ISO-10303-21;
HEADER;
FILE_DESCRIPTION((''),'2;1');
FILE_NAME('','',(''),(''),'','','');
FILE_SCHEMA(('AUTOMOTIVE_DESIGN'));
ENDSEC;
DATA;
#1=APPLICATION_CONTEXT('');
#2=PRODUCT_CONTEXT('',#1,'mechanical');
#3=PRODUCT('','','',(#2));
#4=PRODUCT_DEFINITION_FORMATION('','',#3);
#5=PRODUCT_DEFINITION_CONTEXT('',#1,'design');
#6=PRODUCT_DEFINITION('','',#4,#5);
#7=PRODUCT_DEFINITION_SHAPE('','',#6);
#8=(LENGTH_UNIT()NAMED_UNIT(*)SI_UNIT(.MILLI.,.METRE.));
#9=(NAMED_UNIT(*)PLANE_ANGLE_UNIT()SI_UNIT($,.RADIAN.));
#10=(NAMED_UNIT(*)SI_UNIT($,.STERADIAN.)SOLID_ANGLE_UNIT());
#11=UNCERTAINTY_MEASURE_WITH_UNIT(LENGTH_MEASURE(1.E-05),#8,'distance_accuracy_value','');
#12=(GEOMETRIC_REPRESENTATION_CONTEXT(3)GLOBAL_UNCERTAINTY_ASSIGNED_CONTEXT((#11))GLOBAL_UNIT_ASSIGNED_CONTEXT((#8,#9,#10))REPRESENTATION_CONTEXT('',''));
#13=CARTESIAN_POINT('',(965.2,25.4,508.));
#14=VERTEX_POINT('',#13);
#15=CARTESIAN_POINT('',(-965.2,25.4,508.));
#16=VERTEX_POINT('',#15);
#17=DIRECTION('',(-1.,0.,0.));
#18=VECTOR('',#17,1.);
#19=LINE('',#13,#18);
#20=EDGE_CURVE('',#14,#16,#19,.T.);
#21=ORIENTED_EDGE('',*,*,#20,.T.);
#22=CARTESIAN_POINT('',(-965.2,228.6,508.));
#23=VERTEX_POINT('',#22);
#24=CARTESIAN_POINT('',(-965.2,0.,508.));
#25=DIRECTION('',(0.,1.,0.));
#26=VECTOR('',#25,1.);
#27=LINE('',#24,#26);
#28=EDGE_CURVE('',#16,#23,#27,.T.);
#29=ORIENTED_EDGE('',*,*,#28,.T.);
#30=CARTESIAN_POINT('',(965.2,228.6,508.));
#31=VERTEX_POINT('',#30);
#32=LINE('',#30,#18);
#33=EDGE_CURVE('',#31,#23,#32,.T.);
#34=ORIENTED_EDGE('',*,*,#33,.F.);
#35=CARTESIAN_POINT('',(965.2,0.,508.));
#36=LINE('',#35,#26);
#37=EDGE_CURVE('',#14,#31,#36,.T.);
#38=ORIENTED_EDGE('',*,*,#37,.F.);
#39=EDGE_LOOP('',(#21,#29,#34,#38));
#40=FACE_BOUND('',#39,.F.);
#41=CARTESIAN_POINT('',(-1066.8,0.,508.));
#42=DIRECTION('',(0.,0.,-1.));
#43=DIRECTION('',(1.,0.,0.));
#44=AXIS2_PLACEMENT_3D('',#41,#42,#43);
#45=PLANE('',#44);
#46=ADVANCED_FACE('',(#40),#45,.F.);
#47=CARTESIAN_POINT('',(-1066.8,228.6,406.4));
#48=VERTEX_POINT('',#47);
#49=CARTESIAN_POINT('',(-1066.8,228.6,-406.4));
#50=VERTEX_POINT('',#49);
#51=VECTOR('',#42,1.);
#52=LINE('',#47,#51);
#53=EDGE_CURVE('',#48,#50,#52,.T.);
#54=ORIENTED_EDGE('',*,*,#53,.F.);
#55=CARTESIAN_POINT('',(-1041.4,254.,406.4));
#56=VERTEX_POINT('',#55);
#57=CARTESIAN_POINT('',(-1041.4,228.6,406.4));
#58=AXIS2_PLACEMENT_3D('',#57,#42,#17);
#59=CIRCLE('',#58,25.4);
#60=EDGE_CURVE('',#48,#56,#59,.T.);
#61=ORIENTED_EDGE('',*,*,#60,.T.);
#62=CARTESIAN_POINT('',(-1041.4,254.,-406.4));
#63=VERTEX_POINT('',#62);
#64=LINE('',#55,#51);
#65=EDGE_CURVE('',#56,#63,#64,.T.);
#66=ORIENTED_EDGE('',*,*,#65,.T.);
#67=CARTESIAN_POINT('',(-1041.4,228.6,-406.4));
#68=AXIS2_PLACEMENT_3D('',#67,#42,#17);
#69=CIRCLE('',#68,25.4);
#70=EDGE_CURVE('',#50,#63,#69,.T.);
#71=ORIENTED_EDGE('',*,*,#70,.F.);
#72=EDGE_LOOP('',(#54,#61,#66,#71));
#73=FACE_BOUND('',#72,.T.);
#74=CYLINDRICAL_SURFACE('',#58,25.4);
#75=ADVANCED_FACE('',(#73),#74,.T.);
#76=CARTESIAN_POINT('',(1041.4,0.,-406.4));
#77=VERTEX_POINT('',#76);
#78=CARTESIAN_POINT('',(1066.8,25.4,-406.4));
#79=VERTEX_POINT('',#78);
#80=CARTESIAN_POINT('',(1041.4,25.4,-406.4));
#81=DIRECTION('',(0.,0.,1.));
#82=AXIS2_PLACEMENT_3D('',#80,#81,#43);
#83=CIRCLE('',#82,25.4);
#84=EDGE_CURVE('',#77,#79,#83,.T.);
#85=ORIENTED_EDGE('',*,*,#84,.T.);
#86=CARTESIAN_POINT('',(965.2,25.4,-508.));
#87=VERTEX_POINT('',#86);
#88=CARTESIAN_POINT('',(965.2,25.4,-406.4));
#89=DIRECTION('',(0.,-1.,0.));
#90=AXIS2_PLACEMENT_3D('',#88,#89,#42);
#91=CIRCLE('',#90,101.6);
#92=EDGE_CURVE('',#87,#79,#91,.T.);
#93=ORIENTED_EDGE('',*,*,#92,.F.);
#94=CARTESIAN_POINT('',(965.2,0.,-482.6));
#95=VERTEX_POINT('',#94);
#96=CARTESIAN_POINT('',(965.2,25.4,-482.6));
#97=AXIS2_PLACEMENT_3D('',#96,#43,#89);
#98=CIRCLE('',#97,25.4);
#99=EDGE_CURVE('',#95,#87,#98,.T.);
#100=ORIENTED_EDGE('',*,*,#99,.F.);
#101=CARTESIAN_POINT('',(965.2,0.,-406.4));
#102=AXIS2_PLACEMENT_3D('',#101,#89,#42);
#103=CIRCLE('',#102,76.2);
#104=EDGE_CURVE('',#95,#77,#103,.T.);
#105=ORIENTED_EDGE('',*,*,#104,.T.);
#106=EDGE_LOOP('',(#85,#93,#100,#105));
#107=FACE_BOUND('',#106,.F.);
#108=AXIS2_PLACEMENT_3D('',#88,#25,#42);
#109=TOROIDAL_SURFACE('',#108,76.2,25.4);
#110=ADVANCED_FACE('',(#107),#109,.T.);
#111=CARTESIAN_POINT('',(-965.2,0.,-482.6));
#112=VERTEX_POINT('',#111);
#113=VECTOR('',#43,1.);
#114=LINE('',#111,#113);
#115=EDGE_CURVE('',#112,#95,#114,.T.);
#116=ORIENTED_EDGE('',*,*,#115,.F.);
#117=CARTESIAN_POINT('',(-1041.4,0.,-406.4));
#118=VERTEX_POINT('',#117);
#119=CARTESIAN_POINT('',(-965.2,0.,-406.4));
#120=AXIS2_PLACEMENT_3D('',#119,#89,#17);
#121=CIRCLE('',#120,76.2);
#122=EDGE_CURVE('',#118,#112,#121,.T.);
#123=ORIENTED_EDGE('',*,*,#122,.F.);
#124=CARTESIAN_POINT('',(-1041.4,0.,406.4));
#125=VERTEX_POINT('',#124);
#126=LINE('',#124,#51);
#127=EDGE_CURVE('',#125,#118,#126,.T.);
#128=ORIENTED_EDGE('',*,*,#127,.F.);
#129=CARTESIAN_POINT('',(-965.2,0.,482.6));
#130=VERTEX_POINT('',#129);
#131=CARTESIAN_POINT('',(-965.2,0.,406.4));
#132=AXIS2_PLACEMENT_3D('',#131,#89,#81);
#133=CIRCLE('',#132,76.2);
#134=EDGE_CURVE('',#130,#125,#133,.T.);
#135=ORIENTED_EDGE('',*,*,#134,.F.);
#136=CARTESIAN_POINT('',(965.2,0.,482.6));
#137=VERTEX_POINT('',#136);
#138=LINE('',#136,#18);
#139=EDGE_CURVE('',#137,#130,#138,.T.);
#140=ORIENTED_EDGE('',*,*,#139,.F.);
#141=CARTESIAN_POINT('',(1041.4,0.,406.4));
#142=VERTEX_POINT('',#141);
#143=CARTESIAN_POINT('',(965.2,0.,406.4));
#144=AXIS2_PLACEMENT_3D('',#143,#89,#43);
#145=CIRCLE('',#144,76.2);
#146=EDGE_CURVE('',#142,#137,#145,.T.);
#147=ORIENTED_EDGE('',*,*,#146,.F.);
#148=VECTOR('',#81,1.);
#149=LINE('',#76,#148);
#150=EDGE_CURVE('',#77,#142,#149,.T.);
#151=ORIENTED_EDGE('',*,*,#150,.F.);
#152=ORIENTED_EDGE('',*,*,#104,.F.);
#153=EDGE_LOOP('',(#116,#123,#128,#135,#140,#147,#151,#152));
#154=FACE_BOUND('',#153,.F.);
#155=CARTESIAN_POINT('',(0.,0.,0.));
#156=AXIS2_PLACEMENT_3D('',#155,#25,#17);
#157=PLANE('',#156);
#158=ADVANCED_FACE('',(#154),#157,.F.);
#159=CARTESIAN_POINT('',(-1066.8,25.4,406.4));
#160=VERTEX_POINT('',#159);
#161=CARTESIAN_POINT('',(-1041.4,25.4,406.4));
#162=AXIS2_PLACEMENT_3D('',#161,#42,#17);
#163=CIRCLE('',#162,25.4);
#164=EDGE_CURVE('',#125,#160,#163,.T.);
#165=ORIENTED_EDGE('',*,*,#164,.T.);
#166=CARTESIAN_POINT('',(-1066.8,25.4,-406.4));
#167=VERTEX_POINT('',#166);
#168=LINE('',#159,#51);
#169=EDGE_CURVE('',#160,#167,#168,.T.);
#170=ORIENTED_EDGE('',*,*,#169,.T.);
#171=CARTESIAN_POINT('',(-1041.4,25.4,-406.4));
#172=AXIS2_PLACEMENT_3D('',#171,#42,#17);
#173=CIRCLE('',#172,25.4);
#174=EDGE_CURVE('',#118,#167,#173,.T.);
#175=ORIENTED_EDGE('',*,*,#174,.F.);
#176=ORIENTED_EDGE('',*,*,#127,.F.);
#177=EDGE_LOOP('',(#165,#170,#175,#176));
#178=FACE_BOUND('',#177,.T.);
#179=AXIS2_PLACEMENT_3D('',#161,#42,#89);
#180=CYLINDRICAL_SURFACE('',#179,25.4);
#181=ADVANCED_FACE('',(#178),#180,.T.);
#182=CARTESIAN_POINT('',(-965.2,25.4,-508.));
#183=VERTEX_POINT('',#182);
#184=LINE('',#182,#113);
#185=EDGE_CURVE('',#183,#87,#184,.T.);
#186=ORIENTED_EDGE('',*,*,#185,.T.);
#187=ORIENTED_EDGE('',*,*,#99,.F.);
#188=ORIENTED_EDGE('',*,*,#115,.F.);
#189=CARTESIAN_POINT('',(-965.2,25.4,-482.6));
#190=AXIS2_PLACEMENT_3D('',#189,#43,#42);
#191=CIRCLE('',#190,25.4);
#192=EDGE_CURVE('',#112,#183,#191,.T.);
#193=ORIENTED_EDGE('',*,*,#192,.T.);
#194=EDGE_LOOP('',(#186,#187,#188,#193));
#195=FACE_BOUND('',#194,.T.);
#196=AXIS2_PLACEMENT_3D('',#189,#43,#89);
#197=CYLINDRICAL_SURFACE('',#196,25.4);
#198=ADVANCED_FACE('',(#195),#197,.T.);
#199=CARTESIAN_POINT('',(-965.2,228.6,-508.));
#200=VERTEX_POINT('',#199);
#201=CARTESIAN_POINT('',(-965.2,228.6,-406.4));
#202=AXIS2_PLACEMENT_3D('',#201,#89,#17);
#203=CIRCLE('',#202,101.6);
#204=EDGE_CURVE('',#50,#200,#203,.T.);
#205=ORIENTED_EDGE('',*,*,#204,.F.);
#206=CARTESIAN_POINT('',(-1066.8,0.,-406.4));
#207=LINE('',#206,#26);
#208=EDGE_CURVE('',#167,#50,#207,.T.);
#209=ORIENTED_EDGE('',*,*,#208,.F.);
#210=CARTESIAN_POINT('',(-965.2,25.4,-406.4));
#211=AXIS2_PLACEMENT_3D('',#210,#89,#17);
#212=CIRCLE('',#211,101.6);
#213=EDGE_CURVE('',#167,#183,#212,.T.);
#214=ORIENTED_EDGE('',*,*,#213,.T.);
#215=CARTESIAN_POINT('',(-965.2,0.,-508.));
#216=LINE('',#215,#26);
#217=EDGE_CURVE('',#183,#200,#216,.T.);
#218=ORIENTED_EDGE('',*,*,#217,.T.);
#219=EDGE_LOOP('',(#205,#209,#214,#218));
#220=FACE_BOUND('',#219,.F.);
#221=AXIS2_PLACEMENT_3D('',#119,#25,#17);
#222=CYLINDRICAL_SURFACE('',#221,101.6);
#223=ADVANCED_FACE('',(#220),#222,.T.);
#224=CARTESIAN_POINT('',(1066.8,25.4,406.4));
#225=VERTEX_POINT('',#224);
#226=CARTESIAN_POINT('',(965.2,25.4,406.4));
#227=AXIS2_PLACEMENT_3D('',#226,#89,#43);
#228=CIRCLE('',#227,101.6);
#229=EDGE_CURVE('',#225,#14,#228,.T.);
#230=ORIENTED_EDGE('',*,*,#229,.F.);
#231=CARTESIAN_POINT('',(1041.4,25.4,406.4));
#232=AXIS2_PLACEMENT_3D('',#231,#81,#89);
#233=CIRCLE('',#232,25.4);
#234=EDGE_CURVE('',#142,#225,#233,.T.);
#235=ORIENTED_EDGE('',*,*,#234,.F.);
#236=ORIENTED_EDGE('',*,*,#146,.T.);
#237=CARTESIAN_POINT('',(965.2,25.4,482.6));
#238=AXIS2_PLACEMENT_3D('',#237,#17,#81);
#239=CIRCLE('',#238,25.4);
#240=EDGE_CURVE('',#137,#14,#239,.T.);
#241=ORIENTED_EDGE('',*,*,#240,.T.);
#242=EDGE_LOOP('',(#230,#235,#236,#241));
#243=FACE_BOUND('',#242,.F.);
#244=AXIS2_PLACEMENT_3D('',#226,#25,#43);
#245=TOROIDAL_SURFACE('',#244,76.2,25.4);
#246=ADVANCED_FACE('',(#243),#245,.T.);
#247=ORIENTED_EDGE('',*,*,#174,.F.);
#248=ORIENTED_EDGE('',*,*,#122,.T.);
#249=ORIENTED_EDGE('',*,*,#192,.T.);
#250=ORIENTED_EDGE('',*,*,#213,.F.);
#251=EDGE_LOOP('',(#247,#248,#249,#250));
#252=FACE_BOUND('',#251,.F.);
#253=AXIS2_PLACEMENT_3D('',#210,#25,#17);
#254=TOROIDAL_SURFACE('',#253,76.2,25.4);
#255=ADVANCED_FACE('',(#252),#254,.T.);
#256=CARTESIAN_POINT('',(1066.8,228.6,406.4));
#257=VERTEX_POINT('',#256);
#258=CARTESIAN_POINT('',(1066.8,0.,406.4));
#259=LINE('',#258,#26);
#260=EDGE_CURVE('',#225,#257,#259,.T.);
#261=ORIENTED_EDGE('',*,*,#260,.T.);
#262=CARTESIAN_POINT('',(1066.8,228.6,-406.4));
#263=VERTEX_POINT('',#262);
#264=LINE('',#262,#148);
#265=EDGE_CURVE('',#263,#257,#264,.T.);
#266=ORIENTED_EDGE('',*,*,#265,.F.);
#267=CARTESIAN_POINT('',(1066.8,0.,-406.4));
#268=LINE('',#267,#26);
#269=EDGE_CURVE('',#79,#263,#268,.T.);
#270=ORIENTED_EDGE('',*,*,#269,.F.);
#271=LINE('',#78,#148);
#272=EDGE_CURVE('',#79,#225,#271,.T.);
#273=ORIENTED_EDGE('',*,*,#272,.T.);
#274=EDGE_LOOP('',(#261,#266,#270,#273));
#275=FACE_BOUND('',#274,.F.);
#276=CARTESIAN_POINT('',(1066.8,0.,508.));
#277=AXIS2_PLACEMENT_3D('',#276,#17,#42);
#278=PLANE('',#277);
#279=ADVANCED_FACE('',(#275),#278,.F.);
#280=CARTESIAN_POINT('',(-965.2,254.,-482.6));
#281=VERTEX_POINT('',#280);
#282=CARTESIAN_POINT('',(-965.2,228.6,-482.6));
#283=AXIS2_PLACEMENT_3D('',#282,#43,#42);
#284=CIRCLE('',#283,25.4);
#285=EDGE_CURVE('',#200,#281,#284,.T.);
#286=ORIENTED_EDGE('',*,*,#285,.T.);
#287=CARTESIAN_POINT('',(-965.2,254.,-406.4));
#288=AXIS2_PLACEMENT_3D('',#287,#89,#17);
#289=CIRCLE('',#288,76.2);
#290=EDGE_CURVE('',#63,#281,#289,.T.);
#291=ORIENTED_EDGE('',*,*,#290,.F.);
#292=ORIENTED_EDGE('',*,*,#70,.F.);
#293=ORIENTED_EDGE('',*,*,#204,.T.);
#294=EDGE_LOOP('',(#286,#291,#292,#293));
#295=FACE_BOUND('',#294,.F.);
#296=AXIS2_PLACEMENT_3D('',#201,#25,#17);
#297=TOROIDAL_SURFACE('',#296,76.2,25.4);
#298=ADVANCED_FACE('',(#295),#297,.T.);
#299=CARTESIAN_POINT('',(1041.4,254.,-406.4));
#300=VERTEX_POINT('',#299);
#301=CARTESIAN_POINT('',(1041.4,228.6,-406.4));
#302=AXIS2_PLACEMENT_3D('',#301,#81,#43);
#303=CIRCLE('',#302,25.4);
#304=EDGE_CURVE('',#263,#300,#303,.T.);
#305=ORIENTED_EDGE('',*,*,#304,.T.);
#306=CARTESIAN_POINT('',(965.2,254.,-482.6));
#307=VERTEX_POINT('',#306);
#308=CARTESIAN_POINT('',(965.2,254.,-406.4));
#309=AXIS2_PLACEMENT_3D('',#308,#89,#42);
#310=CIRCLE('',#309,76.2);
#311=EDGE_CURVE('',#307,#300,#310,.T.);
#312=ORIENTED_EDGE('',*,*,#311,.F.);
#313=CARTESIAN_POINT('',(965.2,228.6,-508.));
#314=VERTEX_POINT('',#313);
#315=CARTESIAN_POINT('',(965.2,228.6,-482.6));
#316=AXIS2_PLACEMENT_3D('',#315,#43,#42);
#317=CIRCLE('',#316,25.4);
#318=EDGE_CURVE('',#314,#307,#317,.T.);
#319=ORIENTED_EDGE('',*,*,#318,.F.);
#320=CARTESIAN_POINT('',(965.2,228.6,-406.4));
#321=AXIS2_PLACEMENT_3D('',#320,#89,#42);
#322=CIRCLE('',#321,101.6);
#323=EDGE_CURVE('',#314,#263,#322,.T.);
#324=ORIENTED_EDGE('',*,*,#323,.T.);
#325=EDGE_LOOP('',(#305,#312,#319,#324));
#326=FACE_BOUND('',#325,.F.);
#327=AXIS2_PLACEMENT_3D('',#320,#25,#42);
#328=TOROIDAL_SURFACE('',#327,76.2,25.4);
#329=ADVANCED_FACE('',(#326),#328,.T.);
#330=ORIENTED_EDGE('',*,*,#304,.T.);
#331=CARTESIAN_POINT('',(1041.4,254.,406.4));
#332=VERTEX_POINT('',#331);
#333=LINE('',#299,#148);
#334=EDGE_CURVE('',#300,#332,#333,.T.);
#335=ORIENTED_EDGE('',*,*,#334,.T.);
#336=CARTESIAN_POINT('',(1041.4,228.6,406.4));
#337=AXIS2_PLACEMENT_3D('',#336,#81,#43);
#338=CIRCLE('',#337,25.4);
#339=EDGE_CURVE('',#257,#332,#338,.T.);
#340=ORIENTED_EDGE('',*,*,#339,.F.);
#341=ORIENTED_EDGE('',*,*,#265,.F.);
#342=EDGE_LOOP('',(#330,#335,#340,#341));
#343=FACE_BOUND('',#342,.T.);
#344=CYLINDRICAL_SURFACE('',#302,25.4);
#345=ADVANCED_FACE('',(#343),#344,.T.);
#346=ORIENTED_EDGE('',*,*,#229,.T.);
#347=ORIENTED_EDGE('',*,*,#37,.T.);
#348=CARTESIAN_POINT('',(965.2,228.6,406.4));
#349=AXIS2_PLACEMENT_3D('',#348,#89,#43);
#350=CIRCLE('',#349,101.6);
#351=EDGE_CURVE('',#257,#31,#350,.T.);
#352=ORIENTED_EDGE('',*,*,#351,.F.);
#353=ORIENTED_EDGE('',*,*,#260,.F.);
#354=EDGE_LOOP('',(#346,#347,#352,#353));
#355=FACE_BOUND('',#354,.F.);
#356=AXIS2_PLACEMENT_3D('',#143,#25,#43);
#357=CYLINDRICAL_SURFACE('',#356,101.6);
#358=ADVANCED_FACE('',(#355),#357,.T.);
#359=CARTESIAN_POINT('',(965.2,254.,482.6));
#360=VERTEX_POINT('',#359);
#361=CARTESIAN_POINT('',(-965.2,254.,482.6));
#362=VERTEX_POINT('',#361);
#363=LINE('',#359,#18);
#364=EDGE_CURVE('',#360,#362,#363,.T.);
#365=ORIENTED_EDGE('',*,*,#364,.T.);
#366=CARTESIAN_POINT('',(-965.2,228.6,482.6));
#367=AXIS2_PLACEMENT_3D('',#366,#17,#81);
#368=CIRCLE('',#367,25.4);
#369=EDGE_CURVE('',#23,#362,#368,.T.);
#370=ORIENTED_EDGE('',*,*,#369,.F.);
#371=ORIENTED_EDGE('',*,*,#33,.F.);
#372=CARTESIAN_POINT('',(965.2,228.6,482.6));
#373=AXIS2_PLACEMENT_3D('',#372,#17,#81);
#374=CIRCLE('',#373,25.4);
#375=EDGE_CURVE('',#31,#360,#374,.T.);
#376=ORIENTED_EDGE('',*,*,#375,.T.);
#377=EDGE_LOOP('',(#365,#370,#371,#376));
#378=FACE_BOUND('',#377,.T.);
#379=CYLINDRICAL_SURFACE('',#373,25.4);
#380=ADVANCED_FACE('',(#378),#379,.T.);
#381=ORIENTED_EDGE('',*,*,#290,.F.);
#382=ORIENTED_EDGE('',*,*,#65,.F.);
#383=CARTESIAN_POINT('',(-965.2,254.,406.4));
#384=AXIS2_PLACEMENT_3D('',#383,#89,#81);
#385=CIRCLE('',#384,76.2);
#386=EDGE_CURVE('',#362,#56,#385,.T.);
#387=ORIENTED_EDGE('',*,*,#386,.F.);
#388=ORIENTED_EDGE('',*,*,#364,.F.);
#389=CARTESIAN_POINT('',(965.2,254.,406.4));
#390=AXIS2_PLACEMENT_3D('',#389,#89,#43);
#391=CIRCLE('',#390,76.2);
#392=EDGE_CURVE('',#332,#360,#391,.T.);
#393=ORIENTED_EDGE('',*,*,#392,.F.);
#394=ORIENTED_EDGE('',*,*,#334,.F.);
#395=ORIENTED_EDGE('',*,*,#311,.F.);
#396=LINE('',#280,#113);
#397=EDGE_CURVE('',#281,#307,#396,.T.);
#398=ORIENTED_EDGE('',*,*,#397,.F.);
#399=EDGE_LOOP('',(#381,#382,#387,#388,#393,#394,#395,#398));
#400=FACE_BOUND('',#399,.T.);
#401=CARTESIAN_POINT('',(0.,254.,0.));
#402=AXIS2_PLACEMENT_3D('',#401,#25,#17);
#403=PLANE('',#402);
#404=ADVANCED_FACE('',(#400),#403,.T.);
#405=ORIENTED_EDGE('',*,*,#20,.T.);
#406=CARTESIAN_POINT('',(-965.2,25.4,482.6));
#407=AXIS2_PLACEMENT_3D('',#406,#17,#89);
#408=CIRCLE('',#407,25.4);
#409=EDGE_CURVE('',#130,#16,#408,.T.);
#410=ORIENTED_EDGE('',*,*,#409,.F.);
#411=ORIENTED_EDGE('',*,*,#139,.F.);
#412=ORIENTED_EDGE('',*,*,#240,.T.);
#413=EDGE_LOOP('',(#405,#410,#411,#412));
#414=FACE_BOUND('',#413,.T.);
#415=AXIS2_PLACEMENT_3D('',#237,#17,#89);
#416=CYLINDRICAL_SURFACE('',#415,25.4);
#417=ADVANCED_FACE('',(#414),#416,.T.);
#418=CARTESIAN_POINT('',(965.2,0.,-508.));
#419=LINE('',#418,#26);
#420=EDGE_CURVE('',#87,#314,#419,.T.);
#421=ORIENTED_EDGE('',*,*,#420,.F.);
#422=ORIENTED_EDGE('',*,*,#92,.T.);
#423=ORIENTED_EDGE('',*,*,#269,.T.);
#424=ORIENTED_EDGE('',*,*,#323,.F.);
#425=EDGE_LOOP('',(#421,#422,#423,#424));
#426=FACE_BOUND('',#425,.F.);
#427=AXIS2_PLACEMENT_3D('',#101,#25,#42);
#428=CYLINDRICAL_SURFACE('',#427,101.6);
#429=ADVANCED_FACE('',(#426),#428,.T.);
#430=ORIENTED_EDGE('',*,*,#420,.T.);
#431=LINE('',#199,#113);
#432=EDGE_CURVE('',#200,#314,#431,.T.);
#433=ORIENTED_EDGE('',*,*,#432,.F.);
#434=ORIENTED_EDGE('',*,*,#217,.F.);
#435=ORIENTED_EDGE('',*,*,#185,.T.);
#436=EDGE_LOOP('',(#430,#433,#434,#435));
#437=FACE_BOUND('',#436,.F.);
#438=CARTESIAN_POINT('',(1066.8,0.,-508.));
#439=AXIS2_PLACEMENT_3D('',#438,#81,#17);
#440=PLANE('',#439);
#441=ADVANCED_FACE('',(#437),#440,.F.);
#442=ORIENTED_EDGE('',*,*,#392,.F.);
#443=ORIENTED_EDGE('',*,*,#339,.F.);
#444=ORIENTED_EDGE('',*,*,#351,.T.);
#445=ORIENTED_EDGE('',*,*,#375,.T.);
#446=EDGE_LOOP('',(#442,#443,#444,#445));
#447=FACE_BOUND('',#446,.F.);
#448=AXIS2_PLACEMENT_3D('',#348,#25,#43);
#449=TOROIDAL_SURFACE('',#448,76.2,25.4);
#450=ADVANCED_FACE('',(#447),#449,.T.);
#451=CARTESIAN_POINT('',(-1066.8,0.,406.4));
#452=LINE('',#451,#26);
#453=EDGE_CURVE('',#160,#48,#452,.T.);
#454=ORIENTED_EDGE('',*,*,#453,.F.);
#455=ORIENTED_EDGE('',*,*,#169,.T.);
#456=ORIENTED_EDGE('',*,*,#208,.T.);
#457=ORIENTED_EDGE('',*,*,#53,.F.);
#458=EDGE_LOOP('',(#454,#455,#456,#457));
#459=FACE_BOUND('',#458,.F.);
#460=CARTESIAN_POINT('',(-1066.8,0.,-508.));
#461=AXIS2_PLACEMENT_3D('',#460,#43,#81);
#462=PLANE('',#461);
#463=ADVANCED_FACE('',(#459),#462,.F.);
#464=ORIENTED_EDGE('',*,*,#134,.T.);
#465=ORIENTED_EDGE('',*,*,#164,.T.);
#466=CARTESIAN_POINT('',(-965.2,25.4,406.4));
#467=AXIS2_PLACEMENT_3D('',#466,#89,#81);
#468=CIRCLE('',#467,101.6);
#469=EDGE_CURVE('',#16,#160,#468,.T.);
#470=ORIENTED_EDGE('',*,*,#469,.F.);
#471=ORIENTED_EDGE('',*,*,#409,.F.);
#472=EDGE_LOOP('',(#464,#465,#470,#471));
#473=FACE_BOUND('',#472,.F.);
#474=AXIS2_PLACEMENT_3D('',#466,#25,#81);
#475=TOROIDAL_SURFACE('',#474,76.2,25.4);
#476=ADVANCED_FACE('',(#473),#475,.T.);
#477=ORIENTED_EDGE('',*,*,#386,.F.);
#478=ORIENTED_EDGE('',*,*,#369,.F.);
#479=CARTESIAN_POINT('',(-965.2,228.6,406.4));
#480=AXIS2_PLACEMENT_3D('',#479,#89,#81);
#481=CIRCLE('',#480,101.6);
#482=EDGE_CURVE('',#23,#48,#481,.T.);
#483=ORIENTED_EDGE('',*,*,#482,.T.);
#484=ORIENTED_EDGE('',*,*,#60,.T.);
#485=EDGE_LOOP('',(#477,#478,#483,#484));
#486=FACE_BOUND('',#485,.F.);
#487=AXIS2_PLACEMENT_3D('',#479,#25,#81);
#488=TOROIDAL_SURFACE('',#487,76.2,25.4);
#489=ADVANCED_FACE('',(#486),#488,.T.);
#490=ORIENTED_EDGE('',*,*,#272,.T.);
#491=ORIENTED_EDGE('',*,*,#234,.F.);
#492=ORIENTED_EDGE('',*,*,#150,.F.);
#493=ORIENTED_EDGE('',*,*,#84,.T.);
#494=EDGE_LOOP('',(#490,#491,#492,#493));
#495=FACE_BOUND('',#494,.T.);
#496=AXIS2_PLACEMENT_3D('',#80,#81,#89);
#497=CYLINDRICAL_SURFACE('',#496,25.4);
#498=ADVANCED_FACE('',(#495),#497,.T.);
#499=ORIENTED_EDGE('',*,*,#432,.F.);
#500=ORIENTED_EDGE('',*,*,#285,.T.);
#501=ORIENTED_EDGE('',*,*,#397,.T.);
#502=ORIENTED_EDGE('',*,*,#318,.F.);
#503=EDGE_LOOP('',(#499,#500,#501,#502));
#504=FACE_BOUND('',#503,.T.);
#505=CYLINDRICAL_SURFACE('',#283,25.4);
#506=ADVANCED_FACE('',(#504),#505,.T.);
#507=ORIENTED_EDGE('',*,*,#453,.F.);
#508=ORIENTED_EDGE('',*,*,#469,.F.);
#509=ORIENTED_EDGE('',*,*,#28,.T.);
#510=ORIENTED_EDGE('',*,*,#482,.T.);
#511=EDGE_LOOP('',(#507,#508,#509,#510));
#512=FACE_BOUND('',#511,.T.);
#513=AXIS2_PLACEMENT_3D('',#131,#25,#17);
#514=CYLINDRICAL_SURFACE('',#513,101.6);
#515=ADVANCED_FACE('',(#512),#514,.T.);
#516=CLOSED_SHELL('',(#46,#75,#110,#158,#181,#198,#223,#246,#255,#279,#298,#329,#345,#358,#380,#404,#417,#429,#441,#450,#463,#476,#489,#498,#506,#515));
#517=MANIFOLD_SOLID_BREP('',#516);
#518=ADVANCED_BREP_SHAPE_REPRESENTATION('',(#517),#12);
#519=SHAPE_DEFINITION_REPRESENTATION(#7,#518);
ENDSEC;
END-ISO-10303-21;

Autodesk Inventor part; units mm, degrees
ref_plane "YZ Plane" through (0, 0, 0) normal (1, 0, 0) x (0, 1, 0)
ref_plane "XZ Plane" through (0, 0, 0) normal (0, 1, 0) x (-1, 0, 0)
ref_plane "XY Plane" through (0, 0, 0) normal (0, 0, 1) x (1, 0, 0)
sketch "Sketch1" plane through (0, 0, 0) normal (0, 1, 0) x (-1, 0, 0)
  line L0 (1066.8, 508) -> (-1066.8, 508)
  line L1 (-1066.8, 508) -> (-1066.8, -508)
  line L2 (-1066.8, -508) -> (1066.8, -508)
  line L3 (1066.8, -508) -> (1066.8, 508)
  line L4 (1066.8, 508) -> (-1066.8, -508) construction
  line L5 (-1066.8, 508) -> (1066.8, -508) construction
  point P0 (0, 0)
  dimension "d0" = 1016
  dimension "d1" = 2133.6
extrude "Extrusion1" add sketch "Sketch1" along normal blind 254
fillet "Fillet1" radius 101.6 4 edges at (1066.8, 127, 508) (1066.8, 127, -508) (-1066.8, 127, 508) (-1066.8, 127, -508)
fillet "Fillet2" radius 25.4 16 edges at (-1037.042, 254, -478.242) (-1066.8, 254, 0) (-1037.042, 254, 478.242) (0, 254, 508) (1037.042, 254, 478.242) (1066.8, 254, 0) (1037.042, 254, -478.242) (0, 254, -508) (-1037.042, 0, -478.242) (-1066.8, 0, 0) (-1037.042, 0, 478.242) (0, 0, 508) (1037.042, 0, 478.242) (1066.8, 0, 0) (1037.042, 0, -478.242) (0, 0, -508)
properties part number "mattress"
